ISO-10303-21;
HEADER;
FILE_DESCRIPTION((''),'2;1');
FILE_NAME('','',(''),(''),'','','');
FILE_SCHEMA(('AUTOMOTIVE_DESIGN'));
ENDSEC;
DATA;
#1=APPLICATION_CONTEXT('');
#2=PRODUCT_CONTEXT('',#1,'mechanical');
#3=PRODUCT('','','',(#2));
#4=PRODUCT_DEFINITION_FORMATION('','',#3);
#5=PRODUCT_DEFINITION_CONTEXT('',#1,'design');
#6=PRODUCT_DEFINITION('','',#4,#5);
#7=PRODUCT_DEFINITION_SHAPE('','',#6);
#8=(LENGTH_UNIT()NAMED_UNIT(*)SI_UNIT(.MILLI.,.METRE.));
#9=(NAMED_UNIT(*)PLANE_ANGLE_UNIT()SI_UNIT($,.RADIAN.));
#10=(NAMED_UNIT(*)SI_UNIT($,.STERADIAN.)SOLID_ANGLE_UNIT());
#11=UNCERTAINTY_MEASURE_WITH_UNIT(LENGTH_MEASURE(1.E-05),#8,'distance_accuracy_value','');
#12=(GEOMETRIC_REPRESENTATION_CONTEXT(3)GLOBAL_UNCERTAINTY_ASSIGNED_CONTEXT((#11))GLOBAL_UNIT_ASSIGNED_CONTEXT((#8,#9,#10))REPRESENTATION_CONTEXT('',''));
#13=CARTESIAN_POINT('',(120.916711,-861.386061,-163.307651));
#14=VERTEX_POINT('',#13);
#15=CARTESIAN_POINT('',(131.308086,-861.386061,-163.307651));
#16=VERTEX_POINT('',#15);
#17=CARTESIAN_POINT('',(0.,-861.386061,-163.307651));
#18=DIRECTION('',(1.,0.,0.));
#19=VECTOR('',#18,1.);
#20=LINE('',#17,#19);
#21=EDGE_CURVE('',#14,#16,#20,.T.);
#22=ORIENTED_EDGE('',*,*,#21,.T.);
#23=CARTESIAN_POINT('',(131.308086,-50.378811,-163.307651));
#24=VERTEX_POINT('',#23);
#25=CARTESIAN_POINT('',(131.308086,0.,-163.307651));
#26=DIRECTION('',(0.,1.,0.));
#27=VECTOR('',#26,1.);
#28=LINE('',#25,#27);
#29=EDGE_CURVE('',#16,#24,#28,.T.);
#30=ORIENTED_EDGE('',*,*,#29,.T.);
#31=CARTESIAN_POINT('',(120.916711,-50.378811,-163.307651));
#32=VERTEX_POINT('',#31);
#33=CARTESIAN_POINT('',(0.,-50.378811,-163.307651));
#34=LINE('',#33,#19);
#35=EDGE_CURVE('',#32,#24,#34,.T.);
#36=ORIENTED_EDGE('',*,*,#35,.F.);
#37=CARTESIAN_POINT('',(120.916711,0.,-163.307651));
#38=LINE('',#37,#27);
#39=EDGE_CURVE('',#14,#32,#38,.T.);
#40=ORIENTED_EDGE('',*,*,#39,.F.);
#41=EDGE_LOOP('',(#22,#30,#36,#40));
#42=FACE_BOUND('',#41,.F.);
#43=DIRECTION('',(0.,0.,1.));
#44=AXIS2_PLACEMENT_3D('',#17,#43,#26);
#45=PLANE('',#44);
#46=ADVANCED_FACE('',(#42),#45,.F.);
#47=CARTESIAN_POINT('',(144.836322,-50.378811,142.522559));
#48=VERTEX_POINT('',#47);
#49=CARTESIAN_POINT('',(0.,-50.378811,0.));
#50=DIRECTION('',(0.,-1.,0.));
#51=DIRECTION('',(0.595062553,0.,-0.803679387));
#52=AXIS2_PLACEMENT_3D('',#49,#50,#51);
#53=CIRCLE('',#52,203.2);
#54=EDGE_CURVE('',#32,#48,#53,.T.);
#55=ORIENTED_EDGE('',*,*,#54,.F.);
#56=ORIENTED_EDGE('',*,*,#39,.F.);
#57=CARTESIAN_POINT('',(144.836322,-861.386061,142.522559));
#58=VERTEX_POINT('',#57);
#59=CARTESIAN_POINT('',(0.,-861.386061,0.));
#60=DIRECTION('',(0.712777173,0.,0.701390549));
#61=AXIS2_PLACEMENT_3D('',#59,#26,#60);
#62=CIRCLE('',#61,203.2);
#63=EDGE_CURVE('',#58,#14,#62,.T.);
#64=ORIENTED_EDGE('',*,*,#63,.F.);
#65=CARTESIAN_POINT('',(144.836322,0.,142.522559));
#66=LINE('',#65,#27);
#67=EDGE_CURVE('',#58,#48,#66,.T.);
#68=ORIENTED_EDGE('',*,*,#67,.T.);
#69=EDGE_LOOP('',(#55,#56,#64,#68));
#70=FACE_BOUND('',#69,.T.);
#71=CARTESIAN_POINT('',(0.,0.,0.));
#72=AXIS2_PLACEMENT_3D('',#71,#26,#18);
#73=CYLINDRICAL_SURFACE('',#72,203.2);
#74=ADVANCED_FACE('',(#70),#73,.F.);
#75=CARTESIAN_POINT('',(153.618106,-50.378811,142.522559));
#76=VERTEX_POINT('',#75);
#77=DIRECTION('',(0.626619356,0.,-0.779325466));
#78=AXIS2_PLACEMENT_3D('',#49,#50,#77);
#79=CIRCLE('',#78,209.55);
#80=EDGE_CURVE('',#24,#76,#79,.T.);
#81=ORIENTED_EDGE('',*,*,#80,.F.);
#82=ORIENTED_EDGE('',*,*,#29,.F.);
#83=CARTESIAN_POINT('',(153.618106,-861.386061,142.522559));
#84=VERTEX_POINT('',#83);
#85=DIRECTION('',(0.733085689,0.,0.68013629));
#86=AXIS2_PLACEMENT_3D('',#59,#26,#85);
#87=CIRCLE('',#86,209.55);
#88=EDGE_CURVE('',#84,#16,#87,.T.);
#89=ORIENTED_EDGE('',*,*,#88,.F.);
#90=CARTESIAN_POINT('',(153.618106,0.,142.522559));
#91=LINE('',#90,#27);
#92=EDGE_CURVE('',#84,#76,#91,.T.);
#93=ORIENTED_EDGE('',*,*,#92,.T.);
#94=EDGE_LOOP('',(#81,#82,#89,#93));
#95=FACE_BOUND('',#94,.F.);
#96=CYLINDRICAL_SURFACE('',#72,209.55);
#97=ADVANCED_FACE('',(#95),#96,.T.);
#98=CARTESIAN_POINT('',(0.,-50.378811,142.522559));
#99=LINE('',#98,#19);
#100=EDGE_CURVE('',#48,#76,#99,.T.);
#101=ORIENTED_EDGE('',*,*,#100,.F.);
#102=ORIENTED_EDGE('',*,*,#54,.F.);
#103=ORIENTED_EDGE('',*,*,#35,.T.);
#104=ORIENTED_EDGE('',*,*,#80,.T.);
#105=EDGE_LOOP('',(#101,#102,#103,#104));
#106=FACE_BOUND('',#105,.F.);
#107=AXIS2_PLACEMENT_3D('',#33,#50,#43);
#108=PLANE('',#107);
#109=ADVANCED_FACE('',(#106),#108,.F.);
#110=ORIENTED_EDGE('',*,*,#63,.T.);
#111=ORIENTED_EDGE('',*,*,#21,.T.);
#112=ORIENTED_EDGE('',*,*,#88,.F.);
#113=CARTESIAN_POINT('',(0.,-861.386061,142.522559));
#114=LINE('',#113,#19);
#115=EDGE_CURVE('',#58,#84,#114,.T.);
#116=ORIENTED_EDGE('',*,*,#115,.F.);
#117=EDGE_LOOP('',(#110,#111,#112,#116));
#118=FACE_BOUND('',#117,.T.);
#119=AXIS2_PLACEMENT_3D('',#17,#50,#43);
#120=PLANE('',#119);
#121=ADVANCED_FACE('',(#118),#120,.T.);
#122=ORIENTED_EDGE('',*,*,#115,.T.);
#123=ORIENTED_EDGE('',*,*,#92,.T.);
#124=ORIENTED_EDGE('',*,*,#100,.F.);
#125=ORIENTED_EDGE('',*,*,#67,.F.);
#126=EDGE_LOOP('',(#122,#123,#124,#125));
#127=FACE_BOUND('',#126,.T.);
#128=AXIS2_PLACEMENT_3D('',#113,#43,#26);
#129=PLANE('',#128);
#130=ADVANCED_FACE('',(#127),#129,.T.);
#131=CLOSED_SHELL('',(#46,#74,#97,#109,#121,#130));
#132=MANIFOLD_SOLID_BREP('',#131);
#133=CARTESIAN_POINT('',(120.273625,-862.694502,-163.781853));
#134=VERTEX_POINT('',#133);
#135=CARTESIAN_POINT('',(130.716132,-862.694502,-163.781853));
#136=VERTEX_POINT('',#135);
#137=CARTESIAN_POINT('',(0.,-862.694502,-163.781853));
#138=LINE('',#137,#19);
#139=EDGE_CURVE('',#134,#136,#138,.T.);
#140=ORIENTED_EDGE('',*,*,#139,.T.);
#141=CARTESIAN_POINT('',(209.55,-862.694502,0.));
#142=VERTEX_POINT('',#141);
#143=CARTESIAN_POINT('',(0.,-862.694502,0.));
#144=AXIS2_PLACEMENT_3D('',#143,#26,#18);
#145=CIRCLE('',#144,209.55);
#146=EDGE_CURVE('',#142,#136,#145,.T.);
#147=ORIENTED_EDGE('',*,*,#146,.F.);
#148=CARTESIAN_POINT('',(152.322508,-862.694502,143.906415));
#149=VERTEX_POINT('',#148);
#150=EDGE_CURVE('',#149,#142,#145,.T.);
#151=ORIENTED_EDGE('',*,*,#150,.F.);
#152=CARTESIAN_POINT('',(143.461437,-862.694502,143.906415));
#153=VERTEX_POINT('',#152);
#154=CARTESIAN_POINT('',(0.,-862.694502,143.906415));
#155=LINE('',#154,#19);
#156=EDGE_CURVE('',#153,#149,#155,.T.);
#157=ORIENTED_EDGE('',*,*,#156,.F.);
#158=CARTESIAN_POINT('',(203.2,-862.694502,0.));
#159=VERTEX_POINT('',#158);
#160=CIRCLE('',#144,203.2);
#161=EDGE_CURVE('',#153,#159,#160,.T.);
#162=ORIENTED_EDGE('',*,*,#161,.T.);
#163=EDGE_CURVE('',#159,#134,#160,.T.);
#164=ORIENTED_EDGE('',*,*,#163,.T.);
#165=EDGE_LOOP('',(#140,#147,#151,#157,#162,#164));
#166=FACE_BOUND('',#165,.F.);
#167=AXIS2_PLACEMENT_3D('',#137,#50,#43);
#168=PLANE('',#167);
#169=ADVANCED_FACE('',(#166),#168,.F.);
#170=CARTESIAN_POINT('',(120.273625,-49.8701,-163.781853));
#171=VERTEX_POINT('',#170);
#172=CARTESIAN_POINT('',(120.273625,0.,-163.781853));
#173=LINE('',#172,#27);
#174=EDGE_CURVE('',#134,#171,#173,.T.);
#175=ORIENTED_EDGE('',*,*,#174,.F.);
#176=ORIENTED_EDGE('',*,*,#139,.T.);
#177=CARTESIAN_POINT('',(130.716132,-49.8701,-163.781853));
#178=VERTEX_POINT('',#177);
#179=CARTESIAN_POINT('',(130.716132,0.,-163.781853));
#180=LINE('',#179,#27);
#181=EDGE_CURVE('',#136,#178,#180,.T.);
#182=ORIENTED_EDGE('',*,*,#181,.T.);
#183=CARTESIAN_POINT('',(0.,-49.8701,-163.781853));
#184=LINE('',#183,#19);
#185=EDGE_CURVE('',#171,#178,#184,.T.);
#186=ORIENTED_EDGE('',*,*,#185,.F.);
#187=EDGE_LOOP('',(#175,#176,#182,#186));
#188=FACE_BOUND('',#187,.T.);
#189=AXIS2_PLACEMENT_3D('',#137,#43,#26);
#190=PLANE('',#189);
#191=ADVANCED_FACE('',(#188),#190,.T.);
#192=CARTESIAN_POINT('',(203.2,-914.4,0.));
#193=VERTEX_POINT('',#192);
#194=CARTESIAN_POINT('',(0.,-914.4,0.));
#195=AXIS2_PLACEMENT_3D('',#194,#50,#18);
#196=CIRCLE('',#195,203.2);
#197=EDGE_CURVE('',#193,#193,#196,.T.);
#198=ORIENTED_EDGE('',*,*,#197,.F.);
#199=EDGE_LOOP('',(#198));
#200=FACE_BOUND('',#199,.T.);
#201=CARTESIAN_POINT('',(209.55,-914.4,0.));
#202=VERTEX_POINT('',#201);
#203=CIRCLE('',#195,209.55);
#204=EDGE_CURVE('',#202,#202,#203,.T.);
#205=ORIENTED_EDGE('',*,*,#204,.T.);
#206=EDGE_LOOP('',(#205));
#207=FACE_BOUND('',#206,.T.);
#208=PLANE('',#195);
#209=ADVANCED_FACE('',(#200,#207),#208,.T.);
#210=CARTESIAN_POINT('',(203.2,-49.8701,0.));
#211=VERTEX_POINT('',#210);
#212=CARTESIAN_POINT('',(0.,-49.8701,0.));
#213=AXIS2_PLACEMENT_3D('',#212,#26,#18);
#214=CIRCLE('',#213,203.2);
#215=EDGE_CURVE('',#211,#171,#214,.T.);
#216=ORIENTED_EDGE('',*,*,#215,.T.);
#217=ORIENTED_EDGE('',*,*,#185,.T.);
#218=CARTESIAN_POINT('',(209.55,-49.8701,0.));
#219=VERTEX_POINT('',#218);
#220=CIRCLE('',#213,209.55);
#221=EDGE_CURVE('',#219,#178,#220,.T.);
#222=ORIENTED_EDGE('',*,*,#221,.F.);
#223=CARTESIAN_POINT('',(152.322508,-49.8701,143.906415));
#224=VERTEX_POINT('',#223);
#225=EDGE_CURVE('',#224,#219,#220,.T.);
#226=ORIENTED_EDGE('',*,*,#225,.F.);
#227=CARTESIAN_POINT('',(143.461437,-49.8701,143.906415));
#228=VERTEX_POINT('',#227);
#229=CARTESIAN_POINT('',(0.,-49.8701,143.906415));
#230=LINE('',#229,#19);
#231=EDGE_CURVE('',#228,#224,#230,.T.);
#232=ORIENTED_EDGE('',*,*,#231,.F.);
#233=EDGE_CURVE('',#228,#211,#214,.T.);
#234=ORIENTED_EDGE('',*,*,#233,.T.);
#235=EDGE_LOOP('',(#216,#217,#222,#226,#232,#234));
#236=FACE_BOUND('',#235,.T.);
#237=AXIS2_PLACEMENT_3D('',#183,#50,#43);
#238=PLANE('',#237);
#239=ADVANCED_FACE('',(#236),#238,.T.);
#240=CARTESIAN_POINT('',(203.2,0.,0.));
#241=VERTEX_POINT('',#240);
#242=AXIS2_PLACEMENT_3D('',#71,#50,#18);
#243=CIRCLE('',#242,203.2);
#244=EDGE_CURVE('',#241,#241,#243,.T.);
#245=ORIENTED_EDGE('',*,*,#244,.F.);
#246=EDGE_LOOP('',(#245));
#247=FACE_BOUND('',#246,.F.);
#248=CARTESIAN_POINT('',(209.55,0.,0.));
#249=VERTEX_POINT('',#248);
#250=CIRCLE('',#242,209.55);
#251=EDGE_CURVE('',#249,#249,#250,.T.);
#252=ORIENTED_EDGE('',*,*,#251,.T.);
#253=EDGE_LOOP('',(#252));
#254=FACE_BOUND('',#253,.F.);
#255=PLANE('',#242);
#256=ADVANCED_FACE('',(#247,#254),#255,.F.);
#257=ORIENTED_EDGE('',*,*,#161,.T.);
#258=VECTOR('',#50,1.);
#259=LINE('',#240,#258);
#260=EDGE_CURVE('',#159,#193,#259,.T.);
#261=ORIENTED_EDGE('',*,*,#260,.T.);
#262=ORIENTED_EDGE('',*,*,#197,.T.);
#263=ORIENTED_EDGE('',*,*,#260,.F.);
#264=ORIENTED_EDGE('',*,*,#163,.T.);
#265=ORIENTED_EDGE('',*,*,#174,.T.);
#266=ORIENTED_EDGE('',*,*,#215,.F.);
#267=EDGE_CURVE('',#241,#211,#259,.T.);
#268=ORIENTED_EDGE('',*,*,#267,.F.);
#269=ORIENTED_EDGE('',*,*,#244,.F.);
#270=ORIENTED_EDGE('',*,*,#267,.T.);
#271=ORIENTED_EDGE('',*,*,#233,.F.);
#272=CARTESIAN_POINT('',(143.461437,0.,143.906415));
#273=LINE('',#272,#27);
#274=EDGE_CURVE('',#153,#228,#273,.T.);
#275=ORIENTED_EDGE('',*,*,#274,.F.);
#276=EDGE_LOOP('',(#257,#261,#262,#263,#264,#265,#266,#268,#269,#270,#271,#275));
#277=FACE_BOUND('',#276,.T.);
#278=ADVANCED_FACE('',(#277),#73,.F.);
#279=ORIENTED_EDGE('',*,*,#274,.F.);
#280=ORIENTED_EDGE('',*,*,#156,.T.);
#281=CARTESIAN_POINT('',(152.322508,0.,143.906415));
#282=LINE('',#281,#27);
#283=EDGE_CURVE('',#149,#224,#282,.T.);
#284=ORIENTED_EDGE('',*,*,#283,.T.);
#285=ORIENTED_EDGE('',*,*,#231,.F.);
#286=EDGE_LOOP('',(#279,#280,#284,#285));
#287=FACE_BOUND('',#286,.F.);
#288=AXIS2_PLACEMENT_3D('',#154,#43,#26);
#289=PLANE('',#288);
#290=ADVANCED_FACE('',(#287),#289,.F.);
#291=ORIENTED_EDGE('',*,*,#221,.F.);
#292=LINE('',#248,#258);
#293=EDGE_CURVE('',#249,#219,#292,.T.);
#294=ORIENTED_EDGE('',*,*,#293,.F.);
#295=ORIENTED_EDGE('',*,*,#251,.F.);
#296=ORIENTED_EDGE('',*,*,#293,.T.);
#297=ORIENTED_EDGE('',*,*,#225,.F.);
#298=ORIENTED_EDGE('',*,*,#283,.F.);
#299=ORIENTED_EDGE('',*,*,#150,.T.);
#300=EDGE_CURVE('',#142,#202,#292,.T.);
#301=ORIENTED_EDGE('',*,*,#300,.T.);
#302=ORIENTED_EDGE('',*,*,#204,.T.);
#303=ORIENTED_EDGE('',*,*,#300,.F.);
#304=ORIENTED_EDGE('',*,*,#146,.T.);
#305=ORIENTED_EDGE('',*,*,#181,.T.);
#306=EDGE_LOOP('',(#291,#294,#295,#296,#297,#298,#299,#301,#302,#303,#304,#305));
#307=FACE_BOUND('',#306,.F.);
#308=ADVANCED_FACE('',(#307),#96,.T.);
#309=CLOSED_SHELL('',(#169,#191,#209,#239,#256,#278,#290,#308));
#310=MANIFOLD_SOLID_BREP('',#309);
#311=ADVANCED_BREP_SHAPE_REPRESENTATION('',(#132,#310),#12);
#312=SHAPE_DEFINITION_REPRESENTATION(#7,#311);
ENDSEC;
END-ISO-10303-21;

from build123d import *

# Parameters (mm, degrees)
F0_R     = 209.55
F1_DEPTH = 914.4
F2_T     = -6.35
F3_W     = 812.824402
F3_H     = 307.688267
F3_W_2   = 811.00725
F3_H_2   = 305.830211
F4_DEPTH = 446.98978


with BuildPart() as f1:
    # F0 (on Front) → F1 (new body)
    with BuildSketch(Plane.XZ):
        Circle(F0_R)
    extrude(amount=F1_DEPTH)

    # F2
    f2_openings = [f1.faces().sort_by_distance(p)[0] for p in [
        (0, -914.4, 0),
        (0, 0, 0),
    ]]
    offset(amount=F2_T, openings=f2_openings)

    # F3 (on Right) → F4 (cut)
    with BuildSketch(Plane.YZ):
        with Locations((-456.282301, -9.937719)):
            Rectangle(F3_W, F3_H)
        with Locations((-455.882436, -10.392546)):
            Rectangle(F3_W_2, F3_H_2, mode=Mode.SUBTRACT)
    extrude(amount=F4_DEPTH, mode=Mode.SUBTRACT)


solid = f1.part
